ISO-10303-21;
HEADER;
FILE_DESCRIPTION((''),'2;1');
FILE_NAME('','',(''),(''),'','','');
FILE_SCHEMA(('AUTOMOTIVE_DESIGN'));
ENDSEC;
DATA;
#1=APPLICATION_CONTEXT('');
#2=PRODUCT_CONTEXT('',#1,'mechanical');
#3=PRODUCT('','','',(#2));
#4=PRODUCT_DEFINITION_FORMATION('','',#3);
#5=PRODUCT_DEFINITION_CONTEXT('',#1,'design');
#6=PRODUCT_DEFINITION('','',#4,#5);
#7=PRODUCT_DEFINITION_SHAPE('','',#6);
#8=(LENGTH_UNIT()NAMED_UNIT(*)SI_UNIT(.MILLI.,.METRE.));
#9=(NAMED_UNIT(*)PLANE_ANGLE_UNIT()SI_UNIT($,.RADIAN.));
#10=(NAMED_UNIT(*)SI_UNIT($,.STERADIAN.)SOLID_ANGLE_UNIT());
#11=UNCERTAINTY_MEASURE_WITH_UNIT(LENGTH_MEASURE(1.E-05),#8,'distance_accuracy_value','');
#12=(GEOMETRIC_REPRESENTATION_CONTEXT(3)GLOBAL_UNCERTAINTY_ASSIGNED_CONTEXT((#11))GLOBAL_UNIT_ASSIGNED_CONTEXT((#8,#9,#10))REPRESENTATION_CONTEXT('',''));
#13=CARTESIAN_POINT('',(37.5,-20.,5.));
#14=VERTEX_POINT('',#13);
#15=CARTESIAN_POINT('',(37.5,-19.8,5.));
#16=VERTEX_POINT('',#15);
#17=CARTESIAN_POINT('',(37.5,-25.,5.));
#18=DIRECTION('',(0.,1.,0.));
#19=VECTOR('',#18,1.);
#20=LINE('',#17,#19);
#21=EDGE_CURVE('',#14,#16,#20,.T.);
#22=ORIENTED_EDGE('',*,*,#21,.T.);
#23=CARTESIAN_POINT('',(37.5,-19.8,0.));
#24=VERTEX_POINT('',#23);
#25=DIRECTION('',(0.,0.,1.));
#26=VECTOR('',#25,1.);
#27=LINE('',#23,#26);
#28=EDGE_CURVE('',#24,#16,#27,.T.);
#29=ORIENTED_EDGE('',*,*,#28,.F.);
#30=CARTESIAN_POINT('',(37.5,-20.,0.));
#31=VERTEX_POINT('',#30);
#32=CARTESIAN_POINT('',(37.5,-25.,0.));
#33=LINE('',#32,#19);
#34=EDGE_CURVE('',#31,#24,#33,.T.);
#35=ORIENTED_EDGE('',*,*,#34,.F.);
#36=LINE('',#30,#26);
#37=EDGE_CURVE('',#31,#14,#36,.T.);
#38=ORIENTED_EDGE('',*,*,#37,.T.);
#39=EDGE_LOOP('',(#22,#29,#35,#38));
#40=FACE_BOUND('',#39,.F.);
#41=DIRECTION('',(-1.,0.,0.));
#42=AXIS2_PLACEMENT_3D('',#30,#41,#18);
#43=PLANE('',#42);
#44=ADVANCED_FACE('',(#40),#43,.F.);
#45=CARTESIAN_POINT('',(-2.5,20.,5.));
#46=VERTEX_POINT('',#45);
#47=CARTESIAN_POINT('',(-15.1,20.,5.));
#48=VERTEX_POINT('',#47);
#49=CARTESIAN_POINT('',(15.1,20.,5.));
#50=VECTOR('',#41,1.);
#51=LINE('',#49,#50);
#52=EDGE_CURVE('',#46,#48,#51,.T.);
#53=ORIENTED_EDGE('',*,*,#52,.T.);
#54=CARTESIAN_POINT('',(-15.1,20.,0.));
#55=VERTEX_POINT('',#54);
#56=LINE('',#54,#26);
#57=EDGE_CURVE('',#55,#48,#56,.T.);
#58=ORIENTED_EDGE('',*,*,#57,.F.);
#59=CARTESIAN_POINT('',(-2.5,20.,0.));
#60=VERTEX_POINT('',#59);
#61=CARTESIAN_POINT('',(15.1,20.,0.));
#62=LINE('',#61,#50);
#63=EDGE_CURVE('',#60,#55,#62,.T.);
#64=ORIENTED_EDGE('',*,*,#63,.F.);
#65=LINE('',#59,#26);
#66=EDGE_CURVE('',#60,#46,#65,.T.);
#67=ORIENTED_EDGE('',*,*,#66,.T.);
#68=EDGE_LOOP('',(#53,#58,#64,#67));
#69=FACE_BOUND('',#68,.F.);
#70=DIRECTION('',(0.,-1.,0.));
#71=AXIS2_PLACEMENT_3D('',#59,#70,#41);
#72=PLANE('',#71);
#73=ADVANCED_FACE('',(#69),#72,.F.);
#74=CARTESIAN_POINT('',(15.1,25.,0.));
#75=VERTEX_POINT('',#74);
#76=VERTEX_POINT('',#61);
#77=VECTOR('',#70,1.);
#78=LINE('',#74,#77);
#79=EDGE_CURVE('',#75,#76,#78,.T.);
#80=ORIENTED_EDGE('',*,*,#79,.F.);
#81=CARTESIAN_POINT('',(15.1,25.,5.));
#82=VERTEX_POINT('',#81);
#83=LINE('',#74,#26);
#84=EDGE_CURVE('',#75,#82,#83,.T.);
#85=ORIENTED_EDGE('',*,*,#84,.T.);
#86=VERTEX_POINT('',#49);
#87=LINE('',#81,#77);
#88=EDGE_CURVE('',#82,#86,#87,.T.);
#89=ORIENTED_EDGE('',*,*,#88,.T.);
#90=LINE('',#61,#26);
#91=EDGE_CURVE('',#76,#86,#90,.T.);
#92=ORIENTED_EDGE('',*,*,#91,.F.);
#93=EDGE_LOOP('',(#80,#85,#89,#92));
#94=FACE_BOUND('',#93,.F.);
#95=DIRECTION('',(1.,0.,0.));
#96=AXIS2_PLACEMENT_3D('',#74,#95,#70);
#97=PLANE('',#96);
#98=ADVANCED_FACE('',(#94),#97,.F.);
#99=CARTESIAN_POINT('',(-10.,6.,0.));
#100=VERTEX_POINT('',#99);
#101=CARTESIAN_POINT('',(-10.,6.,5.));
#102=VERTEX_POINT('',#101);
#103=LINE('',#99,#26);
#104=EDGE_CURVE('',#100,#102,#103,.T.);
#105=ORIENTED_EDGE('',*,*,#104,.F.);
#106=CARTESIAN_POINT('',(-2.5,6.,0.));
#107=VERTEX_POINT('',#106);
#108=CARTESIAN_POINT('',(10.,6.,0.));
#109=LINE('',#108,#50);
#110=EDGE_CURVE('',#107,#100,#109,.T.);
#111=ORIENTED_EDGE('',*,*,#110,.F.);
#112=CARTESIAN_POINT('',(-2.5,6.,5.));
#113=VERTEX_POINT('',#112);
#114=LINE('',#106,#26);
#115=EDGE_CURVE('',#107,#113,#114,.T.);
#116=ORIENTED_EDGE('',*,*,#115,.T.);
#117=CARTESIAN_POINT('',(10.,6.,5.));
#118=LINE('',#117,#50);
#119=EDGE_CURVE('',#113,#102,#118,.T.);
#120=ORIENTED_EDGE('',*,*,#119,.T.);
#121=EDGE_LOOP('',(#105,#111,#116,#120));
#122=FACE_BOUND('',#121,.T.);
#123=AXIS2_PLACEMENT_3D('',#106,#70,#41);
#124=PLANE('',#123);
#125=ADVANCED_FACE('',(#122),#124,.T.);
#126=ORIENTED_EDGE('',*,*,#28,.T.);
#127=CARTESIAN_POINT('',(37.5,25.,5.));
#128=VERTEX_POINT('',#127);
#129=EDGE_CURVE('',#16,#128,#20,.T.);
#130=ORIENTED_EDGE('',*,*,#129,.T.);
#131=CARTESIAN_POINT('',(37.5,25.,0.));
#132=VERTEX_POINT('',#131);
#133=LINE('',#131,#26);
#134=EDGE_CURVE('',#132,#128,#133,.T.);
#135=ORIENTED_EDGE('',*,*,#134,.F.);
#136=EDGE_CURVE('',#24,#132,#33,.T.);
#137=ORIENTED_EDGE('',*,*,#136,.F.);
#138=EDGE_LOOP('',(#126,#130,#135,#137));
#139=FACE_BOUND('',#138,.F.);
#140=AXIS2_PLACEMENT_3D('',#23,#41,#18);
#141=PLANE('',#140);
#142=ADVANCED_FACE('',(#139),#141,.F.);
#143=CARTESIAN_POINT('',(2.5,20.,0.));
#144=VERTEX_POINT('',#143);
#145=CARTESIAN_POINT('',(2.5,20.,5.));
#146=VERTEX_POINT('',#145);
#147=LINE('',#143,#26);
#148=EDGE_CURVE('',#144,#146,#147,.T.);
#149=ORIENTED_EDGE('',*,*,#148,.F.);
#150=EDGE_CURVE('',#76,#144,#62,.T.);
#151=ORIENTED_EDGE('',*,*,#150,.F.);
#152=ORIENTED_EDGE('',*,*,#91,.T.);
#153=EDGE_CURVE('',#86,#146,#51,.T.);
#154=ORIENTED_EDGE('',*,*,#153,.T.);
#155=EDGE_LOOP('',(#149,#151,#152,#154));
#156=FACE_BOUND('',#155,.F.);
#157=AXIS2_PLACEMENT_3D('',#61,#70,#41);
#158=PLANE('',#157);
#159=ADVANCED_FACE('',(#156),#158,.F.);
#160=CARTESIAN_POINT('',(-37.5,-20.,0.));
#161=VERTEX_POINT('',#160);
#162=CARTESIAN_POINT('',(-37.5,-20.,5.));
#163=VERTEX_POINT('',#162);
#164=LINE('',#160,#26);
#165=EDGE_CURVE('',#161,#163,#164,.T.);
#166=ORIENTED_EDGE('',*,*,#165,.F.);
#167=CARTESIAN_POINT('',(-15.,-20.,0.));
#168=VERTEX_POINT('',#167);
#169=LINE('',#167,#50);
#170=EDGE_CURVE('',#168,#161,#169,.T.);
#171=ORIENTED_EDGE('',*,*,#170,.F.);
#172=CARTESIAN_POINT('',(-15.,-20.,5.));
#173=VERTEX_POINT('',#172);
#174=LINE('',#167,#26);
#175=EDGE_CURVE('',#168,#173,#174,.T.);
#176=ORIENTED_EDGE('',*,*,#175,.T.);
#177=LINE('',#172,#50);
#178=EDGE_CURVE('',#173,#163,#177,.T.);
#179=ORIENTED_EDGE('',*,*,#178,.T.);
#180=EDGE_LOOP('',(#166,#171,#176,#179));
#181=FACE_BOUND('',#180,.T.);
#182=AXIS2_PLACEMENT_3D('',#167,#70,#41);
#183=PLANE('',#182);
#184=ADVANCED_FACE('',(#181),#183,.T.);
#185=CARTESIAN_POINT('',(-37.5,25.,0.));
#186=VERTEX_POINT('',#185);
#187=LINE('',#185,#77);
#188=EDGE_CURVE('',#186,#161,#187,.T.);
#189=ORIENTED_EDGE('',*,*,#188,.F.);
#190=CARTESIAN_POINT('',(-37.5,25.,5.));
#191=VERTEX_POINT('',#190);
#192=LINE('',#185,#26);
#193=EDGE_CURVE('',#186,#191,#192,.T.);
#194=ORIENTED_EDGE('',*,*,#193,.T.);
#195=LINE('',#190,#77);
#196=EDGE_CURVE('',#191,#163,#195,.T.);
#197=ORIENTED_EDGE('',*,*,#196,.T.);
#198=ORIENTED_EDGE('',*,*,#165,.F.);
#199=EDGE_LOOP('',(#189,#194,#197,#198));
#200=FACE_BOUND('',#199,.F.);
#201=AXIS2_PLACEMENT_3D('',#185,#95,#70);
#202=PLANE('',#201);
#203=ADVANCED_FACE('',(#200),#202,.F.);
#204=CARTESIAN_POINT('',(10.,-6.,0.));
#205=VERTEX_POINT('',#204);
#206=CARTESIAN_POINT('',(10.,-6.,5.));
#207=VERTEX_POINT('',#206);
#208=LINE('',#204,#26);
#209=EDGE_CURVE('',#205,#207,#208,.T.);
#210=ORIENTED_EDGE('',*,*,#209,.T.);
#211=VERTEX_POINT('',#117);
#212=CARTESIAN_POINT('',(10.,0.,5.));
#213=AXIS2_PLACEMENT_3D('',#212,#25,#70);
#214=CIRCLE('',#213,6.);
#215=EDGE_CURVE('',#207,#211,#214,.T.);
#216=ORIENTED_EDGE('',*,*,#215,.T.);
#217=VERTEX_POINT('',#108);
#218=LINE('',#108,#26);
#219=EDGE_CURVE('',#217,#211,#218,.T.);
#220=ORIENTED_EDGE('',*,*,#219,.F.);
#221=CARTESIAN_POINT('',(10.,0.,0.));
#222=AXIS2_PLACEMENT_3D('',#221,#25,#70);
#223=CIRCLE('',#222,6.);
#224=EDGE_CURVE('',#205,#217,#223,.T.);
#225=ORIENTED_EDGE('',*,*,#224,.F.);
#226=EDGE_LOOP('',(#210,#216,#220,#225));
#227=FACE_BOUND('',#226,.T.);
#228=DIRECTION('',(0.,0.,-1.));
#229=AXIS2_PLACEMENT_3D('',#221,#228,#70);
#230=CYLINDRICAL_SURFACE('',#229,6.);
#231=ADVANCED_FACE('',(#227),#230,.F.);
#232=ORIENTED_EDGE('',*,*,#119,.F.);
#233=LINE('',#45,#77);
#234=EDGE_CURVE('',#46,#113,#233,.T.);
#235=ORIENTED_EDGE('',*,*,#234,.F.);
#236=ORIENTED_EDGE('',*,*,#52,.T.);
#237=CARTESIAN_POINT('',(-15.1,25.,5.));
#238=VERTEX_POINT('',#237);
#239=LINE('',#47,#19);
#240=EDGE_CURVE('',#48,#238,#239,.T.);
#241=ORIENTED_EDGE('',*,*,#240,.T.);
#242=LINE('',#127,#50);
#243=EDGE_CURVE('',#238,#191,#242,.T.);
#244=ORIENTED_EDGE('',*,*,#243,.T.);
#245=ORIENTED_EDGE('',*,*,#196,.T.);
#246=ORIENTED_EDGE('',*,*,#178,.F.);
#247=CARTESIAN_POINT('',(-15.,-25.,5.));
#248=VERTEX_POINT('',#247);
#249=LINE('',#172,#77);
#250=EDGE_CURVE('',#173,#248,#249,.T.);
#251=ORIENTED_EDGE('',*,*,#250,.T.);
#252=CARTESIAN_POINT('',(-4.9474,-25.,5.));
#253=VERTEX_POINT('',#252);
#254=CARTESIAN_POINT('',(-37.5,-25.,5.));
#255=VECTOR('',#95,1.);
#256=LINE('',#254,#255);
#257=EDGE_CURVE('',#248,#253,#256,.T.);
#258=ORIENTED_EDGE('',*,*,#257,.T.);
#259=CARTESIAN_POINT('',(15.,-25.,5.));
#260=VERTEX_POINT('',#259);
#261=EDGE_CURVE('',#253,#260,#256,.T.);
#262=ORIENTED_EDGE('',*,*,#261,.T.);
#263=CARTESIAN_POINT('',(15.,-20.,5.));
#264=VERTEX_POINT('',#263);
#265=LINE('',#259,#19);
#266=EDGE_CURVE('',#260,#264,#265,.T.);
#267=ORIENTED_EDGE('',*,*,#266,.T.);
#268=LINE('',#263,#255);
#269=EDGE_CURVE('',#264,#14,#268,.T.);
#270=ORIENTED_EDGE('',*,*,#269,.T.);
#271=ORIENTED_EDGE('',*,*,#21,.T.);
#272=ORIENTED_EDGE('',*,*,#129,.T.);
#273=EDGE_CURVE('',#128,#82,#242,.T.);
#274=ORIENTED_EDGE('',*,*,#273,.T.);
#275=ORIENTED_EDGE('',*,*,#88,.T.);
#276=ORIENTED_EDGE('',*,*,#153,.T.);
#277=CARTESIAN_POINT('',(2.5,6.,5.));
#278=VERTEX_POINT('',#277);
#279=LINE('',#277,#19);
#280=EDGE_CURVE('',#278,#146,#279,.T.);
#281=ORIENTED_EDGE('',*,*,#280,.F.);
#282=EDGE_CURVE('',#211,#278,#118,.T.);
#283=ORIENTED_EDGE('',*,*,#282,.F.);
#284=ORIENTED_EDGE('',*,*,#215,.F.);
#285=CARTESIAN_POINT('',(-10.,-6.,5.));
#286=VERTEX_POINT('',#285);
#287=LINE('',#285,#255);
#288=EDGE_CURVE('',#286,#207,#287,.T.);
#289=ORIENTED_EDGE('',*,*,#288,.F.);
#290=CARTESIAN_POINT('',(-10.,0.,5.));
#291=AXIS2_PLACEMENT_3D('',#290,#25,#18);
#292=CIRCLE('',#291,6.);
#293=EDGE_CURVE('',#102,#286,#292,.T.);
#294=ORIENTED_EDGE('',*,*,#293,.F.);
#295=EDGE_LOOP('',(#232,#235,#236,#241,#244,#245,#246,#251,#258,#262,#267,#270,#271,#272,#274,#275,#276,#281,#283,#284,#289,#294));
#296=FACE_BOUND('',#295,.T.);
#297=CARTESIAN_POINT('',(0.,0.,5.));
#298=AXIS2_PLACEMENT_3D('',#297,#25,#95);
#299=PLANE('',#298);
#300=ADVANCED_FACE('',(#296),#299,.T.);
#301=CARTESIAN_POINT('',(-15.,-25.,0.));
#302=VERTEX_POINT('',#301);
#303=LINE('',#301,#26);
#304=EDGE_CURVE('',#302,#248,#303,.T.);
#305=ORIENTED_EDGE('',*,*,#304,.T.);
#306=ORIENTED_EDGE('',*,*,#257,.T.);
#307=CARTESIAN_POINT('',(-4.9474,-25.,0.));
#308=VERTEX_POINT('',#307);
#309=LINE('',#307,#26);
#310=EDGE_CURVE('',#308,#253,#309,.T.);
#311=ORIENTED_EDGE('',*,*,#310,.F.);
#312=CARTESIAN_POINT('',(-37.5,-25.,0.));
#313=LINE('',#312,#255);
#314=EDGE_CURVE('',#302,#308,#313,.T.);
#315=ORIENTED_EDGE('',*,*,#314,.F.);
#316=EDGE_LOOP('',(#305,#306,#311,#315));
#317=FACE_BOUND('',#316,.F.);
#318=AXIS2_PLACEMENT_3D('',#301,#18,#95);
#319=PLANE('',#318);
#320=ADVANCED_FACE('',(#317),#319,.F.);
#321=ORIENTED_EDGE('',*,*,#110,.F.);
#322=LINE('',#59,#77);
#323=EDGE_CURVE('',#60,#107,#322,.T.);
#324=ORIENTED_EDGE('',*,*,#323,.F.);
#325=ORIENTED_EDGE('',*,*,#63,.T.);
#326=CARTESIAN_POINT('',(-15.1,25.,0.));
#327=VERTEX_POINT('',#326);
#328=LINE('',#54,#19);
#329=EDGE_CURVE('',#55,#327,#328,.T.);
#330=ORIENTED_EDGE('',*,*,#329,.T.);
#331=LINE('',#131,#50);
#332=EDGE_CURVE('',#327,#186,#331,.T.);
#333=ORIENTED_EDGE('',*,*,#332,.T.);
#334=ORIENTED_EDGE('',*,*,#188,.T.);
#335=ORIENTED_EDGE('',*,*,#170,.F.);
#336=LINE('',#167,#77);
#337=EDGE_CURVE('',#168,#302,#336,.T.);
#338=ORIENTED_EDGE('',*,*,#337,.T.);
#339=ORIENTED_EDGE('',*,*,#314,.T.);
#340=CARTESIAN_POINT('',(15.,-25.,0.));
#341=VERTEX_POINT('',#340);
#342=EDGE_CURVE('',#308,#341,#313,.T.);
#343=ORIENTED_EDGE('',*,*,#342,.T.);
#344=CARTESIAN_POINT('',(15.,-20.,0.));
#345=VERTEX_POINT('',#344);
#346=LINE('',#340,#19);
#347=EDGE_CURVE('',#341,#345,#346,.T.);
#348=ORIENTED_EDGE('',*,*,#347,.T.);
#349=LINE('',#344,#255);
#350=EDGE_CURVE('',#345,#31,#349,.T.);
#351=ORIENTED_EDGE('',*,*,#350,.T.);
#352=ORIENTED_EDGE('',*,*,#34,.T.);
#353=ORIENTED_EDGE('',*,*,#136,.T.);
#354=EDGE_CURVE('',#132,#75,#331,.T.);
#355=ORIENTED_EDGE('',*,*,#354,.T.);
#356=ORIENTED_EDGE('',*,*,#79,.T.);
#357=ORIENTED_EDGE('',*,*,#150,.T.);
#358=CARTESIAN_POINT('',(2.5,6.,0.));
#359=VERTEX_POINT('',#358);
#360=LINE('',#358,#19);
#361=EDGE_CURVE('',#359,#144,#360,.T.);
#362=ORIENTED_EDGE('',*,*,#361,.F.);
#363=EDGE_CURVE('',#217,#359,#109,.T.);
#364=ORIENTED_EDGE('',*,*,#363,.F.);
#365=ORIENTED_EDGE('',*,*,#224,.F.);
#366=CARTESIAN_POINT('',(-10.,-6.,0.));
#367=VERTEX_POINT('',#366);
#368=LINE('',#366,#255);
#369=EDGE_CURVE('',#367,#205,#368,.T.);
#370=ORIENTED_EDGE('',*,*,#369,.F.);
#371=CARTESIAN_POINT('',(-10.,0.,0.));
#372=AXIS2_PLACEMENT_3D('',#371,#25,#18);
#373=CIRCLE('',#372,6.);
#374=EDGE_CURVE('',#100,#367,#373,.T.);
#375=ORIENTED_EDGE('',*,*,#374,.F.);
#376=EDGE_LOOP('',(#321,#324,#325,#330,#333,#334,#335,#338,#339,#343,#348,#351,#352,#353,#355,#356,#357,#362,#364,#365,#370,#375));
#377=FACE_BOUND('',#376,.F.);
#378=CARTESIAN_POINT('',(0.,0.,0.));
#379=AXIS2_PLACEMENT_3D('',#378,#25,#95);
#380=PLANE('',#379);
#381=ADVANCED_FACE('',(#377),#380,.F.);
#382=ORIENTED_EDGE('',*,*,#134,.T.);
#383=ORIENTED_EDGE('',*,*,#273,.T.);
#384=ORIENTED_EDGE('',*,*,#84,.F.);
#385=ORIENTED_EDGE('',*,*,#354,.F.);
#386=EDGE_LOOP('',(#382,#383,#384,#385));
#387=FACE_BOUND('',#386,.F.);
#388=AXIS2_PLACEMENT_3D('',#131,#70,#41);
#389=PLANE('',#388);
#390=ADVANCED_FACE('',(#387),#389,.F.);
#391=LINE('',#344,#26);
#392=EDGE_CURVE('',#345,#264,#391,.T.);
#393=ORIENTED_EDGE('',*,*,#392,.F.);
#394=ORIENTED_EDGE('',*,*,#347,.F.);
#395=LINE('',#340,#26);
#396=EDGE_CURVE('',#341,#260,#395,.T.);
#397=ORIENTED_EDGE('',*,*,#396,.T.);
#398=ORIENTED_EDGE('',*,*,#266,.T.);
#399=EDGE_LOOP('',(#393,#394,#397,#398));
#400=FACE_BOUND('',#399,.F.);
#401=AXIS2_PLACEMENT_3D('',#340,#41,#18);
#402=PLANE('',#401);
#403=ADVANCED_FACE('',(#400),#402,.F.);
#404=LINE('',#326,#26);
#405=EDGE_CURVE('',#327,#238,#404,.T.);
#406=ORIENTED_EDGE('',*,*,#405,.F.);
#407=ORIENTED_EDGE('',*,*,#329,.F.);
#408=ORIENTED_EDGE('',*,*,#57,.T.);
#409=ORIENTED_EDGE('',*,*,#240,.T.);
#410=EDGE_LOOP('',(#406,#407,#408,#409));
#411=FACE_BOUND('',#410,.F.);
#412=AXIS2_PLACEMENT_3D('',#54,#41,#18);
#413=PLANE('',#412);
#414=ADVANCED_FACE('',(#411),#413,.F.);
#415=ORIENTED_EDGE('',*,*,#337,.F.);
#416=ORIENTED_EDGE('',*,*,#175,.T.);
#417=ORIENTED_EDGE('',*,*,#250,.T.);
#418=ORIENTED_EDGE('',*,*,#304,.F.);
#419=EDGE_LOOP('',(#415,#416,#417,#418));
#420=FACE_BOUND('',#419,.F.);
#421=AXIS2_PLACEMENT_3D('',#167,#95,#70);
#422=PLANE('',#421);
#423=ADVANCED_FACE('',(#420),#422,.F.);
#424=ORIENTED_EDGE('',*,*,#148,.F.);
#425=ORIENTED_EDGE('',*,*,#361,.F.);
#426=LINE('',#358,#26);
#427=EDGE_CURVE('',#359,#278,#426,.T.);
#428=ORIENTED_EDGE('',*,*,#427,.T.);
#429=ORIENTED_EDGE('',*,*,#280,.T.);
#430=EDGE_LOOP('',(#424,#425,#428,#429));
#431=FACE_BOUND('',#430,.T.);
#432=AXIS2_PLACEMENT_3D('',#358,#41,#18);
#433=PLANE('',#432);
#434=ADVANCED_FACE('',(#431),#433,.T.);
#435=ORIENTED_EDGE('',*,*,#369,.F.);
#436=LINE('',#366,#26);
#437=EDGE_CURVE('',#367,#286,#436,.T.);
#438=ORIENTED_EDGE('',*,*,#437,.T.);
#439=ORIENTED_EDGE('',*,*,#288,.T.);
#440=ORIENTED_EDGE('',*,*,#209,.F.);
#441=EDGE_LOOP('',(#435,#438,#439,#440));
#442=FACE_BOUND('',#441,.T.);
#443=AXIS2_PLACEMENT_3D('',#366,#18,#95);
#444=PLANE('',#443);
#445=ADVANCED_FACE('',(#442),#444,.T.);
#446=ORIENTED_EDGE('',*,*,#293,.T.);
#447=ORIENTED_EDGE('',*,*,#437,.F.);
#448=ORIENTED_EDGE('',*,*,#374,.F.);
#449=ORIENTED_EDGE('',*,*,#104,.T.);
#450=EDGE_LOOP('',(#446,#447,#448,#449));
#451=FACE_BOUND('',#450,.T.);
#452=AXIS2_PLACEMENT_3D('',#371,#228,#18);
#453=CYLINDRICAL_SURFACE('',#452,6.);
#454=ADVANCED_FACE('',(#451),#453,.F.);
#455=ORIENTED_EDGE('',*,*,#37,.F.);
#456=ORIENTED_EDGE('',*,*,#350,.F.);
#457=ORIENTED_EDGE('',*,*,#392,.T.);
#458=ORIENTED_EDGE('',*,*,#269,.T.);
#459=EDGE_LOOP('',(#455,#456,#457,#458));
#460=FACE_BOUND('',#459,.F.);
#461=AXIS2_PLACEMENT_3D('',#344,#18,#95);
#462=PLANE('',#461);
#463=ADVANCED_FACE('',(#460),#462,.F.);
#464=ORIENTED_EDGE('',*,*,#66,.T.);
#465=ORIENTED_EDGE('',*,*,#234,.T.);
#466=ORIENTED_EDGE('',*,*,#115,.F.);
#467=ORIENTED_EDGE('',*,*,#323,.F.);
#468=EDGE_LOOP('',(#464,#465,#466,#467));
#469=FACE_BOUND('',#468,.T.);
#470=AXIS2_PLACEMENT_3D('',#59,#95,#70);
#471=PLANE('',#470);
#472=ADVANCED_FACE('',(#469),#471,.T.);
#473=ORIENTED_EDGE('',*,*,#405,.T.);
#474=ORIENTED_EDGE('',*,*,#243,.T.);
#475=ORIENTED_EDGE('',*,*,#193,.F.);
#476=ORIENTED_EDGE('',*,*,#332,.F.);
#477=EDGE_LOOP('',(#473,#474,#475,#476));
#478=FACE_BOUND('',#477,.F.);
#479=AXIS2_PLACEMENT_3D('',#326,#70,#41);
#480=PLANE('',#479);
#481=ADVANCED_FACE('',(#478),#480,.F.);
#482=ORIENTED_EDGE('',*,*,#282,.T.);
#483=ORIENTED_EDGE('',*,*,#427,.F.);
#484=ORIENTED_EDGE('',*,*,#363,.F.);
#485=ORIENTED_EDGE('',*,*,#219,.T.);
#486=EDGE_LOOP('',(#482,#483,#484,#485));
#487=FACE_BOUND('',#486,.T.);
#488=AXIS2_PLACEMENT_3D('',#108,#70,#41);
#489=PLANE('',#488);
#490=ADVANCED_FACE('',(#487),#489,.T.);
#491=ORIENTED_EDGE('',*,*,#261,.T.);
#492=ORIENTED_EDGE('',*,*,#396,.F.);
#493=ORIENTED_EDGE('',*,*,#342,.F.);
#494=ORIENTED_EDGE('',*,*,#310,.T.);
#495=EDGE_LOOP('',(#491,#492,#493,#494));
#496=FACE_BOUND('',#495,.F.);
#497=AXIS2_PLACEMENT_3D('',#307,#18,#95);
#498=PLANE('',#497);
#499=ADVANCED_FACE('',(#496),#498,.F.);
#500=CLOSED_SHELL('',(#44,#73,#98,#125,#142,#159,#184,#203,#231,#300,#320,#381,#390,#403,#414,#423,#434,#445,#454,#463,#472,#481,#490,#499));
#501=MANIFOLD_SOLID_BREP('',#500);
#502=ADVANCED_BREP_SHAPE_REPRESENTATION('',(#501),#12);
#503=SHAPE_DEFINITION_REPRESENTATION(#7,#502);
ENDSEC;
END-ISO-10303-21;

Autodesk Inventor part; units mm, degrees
ref_plane "YZ Plane" through (0, 0, 0) normal (1, 0, 0) x (0, 1, 0)
ref_plane "XZ Plane" through (0, 0, 0) normal (0, 1, 0) x (-1, 0, 0)
ref_plane "XY Plane" through (0, 0, 0) normal (0, 0, 1) x (1, 0, 0)
sketch "Sketch1" plane through (0, 0, 0) normal (0, 0, 1) x (1, 0, 0)
  line L0 (-37.5, -25) -> (37.5, -25)
  line L1 (37.5, -25) -> (37.5, 25)
  line L2 (37.5, 25) -> (-37.5, 25)
  line L3 (-37.5, 25) -> (-37.5, -25)
  line L4 (-37.5, -25) -> (37.5, 25) construction
  line L5 (37.5, -25) -> (-37.5, 25) construction
  line L6 (-15.1, 25) -> (15.1, 25)
  line L7 (15.1, 25) -> (15.1, 20)
  line L8 (15.1, 20) -> (-15.1, 20)
  line L9 (-15.1, 20) -> (-15.1, 25)
  line L10 (-15.1, 25) -> (15.1, 20) construction
  line L11 (15.1, 25) -> (-15.1, 20) construction
  line L12 (-4.9474, -25) -> (-37.5, -25)
  line L13 (-37.5, -25) -> (-37.5, -21.6221)
  line L14 (74.3708, -25) -> (124.7526, -25)
  line L15 (0, 0) -> (0, -25) construction
  line L16 (24.4526, -25) -> (37.5, -25)
  line L17 (37.5, -25) -> (37.5, -19.8)
  line L18 (-10, 0) -> (10, 0) construction
  line L19 (-10, -6) -> (10, -6)
  line L20 (10, 6) -> (-10, 6)
  arc A0 (-10, 6) -> (-10, -6) centre (-10, 0) ccw
  arc A1 (10, -6) -> (10, 6) centre (10, 0) ccw
  line L21 (-2.5, 6) -> (2.5, 6)
  line L22 (2.5, 6) -> (2.5, 20)
  line L23 (2.5, 20) -> (-2.5, 20)
  line L24 (-2.5, 20) -> (-2.5, 6)
  line L25 (-2.5, 6) -> (2.5, 20) construction
  line L26 (2.5, 6) -> (-2.5, 20) construction
  line L27 (-37.5, -25) -> (-20.5763, -25)
  line L28 (-37.5, -20) -> (-37.5, -25)
  line L29 (20.5763, -25) -> (37.5, -25)
  line L30 (37.5, -25) -> (37.5, -20)
  line L31 (-15, -25) -> (15, -25)
  line L32 (15, -25) -> (15, -20)
  line L33 (15, -20) -> (-15, -20) construction
  line L34 (-15, -20) -> (-15, -25)
  line L35 (-15, -25) -> (15, -20) construction
  line L36 (15, -25) -> (-15, -20) construction
  line L37 (-15, -20) -> (-37.5, -20)
  line L38 (15, -20) -> (37.5, -20)
  point P0 (0, 22.5)
  point P1 (15.1, 25)
  point P2 (-15.1, 25)
  point P3 (0, 13)
  point P4 (2.5, 20)
  point P5 (0, -22.5)
  dimension "d1" = 50
  dimension "d10" = 5
  dimension "d11" = 30.2
  dimension "d25" = 12
  dimension "d26" = 20
  dimension "d27" = 5
  dimension "d35" = 5
  dimension "d36" = 30
  dimension "d37" = 75
extrude "Extrusion1" add sketch "Sketch1" along normal blind 5 contours L34 L37 L3 L2 L9 L8 L24 L20 A0 L19 A1 L22 L7 L1 L38 L32 L0
properties part number "upper-back-plate-support"
